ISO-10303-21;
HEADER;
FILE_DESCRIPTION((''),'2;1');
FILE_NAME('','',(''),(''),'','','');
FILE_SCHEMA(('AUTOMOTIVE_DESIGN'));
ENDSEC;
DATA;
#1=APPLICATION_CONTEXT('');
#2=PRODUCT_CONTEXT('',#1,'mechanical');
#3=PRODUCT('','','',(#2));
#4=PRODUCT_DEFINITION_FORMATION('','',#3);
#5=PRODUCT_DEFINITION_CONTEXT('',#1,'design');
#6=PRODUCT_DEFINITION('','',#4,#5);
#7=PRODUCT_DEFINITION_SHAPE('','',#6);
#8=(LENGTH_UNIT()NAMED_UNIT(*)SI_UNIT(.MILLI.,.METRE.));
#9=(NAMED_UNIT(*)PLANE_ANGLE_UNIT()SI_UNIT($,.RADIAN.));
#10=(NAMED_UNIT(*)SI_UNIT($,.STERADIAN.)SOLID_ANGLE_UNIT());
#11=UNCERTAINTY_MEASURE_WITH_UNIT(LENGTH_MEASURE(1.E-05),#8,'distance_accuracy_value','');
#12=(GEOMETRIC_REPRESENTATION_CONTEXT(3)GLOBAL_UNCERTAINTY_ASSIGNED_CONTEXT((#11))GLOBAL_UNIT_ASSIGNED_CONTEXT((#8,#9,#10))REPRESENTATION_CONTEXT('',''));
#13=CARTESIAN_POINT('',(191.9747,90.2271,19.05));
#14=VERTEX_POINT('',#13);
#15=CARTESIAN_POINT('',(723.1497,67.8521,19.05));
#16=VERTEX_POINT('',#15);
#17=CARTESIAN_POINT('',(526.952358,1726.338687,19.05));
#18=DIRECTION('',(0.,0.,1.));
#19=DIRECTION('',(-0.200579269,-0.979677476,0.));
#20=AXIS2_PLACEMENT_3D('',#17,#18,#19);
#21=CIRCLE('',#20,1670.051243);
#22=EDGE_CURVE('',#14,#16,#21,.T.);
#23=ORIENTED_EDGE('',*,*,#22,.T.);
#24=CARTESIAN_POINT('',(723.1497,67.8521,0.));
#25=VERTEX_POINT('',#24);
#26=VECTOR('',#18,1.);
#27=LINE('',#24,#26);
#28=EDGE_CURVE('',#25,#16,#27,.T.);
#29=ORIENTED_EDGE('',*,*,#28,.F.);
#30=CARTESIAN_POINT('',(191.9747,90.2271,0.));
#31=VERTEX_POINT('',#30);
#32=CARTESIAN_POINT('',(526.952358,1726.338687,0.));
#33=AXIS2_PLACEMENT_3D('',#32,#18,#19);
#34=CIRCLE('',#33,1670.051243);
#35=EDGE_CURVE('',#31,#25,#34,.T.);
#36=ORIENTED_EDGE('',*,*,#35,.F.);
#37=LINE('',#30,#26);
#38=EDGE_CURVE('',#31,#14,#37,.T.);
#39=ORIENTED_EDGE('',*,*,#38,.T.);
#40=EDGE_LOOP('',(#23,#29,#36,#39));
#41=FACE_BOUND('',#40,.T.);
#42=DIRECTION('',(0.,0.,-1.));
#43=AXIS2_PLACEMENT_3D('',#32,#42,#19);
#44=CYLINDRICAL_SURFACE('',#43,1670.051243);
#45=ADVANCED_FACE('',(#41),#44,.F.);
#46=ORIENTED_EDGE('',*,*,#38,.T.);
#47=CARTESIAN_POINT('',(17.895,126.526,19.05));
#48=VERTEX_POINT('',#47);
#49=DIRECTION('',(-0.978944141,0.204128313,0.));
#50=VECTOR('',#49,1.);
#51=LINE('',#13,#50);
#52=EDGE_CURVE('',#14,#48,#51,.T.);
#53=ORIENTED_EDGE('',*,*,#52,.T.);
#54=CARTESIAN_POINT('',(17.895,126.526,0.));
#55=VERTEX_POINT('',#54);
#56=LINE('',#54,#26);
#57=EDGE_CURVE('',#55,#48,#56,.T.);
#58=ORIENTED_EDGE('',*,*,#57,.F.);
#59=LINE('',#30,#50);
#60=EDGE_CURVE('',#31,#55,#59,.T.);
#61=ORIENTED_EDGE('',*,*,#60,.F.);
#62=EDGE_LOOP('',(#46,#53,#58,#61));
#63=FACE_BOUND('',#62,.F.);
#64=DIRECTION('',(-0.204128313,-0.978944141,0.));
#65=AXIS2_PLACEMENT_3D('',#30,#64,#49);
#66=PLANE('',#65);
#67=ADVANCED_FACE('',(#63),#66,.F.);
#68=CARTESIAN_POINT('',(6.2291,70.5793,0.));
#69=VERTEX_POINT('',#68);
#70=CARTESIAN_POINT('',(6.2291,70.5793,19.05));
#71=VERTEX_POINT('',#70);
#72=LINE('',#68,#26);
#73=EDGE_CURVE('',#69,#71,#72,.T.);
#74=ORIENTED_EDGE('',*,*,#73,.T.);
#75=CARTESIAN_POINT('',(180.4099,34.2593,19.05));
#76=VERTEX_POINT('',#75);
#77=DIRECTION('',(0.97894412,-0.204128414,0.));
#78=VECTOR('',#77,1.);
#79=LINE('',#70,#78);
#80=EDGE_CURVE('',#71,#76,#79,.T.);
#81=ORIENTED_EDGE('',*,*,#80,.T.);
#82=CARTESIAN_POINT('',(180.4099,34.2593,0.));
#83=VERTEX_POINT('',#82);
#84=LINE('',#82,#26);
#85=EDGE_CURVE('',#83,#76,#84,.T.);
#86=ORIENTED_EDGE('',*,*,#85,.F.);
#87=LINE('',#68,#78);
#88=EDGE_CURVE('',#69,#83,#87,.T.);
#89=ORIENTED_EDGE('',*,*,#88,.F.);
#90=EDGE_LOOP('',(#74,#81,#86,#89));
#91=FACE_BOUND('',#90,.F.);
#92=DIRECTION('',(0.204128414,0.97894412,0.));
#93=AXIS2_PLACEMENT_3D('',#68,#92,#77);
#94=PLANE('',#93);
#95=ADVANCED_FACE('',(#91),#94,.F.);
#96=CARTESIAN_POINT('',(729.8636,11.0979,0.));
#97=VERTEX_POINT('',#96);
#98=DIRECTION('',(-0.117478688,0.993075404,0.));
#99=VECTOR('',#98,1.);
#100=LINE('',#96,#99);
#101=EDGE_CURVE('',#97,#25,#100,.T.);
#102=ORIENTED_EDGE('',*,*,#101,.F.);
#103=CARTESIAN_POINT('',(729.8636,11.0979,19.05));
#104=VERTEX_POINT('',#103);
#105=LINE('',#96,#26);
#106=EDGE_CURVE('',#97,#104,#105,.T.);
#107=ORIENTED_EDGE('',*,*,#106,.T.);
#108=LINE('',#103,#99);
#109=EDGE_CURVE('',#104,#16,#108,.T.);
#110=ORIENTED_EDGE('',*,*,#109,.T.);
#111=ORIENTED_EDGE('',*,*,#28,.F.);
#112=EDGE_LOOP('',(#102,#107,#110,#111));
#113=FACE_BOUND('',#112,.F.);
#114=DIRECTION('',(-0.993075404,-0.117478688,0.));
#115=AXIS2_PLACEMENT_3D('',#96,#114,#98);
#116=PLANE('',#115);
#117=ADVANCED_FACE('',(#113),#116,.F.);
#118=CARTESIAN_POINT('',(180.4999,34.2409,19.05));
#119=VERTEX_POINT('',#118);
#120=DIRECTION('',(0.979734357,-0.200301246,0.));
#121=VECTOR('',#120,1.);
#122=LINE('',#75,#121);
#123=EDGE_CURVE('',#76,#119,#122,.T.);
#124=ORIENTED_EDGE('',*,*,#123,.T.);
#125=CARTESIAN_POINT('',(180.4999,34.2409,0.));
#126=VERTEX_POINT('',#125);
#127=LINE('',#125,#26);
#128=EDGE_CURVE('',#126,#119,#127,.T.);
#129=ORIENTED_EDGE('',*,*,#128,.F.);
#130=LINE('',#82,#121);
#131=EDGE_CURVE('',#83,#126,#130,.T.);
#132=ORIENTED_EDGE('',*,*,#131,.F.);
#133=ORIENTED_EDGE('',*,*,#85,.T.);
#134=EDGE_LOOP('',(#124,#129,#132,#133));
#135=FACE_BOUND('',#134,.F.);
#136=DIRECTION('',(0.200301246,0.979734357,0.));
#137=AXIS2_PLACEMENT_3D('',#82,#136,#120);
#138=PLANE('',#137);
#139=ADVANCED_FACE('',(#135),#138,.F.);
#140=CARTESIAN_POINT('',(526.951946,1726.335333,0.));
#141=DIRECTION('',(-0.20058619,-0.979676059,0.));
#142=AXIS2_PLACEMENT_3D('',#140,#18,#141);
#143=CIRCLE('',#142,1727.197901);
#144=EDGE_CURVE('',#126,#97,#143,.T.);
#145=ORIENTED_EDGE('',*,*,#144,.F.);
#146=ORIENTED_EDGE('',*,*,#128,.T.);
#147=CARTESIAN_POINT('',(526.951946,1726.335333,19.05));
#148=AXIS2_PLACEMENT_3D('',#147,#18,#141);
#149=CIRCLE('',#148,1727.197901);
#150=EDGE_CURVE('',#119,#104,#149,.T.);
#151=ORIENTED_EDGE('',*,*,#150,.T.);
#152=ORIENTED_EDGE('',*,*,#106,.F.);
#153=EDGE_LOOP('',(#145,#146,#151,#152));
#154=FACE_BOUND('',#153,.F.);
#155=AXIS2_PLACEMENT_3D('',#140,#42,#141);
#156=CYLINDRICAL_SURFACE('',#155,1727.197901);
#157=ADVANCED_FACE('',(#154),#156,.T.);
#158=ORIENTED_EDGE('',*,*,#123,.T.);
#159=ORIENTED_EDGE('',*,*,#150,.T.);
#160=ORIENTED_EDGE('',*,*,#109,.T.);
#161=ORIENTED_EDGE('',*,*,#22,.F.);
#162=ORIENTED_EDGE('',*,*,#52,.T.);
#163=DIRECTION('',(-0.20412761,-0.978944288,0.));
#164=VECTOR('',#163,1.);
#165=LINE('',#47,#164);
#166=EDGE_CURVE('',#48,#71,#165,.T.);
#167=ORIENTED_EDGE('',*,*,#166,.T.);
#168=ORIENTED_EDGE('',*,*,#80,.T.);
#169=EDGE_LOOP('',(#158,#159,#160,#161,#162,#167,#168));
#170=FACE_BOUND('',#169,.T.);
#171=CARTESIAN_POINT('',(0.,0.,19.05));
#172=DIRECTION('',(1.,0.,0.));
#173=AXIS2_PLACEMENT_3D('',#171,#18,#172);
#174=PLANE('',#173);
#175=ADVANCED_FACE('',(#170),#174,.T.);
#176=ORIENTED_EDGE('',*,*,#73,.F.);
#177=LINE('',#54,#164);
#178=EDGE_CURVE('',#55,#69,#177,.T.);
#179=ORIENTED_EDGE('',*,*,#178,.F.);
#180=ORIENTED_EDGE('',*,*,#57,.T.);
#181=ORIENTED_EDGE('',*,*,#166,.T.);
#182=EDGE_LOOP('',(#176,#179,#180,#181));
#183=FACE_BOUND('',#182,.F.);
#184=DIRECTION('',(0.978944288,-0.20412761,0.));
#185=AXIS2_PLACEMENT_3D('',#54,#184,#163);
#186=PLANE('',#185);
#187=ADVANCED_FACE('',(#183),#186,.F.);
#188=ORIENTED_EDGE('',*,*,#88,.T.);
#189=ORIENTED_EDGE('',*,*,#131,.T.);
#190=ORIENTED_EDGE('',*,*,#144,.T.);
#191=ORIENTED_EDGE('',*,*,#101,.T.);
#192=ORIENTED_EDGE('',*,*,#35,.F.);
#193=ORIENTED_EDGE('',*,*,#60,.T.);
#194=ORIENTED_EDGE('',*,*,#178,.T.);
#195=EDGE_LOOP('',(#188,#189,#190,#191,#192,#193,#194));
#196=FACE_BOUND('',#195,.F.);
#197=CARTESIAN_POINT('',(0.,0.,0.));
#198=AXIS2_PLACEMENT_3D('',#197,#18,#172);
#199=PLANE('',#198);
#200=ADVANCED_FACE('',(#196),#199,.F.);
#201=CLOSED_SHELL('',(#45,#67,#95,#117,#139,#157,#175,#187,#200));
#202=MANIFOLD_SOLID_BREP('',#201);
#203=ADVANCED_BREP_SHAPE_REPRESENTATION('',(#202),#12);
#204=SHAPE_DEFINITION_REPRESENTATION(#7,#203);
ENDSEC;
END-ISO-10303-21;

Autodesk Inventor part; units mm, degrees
ref_plane "YZ Plane" through (0, 0, 0) normal (1, 0, 0) x (0, 1, 0)
ref_plane "XZ Plane" through (0, 0, 0) normal (0, 1, 0) x (-1, 0, 0)
ref_plane "XY Plane" through (0, 0, 0) normal (0, 0, 1) x (1, 0, 0)
sketch "Sketch1" plane through (0, 0, 0) normal (0, 0, 1) x (1, 0, 0)
  line L0 (17.895, 126.526) -> (6.2291, 70.5793)
  line L1 (6.2291, 70.5793) -> (180.4099, 34.2593)
  line L2 (180.4099, 34.2593) -> (180.4999, 34.2409)
  arc A0 (180.4999, 34.2409) -> (729.8636, 11.0979) centre (526.9522, 1726.3374) ccw
  line L3 (729.8636, 11.0979) -> (723.1497, 67.8521)
  arc A1 (191.9747, 90.2271) -> (723.1497, 67.8521) centre (526.9522, 1726.3374) ccw
  line L4 (191.9747, 90.2271) -> (17.895, 126.526)
  point P0 (0, 0)
extrude "Extrusion1" add sketch "Sketch1" along normal blind 19.05
properties part number "nd-11"
